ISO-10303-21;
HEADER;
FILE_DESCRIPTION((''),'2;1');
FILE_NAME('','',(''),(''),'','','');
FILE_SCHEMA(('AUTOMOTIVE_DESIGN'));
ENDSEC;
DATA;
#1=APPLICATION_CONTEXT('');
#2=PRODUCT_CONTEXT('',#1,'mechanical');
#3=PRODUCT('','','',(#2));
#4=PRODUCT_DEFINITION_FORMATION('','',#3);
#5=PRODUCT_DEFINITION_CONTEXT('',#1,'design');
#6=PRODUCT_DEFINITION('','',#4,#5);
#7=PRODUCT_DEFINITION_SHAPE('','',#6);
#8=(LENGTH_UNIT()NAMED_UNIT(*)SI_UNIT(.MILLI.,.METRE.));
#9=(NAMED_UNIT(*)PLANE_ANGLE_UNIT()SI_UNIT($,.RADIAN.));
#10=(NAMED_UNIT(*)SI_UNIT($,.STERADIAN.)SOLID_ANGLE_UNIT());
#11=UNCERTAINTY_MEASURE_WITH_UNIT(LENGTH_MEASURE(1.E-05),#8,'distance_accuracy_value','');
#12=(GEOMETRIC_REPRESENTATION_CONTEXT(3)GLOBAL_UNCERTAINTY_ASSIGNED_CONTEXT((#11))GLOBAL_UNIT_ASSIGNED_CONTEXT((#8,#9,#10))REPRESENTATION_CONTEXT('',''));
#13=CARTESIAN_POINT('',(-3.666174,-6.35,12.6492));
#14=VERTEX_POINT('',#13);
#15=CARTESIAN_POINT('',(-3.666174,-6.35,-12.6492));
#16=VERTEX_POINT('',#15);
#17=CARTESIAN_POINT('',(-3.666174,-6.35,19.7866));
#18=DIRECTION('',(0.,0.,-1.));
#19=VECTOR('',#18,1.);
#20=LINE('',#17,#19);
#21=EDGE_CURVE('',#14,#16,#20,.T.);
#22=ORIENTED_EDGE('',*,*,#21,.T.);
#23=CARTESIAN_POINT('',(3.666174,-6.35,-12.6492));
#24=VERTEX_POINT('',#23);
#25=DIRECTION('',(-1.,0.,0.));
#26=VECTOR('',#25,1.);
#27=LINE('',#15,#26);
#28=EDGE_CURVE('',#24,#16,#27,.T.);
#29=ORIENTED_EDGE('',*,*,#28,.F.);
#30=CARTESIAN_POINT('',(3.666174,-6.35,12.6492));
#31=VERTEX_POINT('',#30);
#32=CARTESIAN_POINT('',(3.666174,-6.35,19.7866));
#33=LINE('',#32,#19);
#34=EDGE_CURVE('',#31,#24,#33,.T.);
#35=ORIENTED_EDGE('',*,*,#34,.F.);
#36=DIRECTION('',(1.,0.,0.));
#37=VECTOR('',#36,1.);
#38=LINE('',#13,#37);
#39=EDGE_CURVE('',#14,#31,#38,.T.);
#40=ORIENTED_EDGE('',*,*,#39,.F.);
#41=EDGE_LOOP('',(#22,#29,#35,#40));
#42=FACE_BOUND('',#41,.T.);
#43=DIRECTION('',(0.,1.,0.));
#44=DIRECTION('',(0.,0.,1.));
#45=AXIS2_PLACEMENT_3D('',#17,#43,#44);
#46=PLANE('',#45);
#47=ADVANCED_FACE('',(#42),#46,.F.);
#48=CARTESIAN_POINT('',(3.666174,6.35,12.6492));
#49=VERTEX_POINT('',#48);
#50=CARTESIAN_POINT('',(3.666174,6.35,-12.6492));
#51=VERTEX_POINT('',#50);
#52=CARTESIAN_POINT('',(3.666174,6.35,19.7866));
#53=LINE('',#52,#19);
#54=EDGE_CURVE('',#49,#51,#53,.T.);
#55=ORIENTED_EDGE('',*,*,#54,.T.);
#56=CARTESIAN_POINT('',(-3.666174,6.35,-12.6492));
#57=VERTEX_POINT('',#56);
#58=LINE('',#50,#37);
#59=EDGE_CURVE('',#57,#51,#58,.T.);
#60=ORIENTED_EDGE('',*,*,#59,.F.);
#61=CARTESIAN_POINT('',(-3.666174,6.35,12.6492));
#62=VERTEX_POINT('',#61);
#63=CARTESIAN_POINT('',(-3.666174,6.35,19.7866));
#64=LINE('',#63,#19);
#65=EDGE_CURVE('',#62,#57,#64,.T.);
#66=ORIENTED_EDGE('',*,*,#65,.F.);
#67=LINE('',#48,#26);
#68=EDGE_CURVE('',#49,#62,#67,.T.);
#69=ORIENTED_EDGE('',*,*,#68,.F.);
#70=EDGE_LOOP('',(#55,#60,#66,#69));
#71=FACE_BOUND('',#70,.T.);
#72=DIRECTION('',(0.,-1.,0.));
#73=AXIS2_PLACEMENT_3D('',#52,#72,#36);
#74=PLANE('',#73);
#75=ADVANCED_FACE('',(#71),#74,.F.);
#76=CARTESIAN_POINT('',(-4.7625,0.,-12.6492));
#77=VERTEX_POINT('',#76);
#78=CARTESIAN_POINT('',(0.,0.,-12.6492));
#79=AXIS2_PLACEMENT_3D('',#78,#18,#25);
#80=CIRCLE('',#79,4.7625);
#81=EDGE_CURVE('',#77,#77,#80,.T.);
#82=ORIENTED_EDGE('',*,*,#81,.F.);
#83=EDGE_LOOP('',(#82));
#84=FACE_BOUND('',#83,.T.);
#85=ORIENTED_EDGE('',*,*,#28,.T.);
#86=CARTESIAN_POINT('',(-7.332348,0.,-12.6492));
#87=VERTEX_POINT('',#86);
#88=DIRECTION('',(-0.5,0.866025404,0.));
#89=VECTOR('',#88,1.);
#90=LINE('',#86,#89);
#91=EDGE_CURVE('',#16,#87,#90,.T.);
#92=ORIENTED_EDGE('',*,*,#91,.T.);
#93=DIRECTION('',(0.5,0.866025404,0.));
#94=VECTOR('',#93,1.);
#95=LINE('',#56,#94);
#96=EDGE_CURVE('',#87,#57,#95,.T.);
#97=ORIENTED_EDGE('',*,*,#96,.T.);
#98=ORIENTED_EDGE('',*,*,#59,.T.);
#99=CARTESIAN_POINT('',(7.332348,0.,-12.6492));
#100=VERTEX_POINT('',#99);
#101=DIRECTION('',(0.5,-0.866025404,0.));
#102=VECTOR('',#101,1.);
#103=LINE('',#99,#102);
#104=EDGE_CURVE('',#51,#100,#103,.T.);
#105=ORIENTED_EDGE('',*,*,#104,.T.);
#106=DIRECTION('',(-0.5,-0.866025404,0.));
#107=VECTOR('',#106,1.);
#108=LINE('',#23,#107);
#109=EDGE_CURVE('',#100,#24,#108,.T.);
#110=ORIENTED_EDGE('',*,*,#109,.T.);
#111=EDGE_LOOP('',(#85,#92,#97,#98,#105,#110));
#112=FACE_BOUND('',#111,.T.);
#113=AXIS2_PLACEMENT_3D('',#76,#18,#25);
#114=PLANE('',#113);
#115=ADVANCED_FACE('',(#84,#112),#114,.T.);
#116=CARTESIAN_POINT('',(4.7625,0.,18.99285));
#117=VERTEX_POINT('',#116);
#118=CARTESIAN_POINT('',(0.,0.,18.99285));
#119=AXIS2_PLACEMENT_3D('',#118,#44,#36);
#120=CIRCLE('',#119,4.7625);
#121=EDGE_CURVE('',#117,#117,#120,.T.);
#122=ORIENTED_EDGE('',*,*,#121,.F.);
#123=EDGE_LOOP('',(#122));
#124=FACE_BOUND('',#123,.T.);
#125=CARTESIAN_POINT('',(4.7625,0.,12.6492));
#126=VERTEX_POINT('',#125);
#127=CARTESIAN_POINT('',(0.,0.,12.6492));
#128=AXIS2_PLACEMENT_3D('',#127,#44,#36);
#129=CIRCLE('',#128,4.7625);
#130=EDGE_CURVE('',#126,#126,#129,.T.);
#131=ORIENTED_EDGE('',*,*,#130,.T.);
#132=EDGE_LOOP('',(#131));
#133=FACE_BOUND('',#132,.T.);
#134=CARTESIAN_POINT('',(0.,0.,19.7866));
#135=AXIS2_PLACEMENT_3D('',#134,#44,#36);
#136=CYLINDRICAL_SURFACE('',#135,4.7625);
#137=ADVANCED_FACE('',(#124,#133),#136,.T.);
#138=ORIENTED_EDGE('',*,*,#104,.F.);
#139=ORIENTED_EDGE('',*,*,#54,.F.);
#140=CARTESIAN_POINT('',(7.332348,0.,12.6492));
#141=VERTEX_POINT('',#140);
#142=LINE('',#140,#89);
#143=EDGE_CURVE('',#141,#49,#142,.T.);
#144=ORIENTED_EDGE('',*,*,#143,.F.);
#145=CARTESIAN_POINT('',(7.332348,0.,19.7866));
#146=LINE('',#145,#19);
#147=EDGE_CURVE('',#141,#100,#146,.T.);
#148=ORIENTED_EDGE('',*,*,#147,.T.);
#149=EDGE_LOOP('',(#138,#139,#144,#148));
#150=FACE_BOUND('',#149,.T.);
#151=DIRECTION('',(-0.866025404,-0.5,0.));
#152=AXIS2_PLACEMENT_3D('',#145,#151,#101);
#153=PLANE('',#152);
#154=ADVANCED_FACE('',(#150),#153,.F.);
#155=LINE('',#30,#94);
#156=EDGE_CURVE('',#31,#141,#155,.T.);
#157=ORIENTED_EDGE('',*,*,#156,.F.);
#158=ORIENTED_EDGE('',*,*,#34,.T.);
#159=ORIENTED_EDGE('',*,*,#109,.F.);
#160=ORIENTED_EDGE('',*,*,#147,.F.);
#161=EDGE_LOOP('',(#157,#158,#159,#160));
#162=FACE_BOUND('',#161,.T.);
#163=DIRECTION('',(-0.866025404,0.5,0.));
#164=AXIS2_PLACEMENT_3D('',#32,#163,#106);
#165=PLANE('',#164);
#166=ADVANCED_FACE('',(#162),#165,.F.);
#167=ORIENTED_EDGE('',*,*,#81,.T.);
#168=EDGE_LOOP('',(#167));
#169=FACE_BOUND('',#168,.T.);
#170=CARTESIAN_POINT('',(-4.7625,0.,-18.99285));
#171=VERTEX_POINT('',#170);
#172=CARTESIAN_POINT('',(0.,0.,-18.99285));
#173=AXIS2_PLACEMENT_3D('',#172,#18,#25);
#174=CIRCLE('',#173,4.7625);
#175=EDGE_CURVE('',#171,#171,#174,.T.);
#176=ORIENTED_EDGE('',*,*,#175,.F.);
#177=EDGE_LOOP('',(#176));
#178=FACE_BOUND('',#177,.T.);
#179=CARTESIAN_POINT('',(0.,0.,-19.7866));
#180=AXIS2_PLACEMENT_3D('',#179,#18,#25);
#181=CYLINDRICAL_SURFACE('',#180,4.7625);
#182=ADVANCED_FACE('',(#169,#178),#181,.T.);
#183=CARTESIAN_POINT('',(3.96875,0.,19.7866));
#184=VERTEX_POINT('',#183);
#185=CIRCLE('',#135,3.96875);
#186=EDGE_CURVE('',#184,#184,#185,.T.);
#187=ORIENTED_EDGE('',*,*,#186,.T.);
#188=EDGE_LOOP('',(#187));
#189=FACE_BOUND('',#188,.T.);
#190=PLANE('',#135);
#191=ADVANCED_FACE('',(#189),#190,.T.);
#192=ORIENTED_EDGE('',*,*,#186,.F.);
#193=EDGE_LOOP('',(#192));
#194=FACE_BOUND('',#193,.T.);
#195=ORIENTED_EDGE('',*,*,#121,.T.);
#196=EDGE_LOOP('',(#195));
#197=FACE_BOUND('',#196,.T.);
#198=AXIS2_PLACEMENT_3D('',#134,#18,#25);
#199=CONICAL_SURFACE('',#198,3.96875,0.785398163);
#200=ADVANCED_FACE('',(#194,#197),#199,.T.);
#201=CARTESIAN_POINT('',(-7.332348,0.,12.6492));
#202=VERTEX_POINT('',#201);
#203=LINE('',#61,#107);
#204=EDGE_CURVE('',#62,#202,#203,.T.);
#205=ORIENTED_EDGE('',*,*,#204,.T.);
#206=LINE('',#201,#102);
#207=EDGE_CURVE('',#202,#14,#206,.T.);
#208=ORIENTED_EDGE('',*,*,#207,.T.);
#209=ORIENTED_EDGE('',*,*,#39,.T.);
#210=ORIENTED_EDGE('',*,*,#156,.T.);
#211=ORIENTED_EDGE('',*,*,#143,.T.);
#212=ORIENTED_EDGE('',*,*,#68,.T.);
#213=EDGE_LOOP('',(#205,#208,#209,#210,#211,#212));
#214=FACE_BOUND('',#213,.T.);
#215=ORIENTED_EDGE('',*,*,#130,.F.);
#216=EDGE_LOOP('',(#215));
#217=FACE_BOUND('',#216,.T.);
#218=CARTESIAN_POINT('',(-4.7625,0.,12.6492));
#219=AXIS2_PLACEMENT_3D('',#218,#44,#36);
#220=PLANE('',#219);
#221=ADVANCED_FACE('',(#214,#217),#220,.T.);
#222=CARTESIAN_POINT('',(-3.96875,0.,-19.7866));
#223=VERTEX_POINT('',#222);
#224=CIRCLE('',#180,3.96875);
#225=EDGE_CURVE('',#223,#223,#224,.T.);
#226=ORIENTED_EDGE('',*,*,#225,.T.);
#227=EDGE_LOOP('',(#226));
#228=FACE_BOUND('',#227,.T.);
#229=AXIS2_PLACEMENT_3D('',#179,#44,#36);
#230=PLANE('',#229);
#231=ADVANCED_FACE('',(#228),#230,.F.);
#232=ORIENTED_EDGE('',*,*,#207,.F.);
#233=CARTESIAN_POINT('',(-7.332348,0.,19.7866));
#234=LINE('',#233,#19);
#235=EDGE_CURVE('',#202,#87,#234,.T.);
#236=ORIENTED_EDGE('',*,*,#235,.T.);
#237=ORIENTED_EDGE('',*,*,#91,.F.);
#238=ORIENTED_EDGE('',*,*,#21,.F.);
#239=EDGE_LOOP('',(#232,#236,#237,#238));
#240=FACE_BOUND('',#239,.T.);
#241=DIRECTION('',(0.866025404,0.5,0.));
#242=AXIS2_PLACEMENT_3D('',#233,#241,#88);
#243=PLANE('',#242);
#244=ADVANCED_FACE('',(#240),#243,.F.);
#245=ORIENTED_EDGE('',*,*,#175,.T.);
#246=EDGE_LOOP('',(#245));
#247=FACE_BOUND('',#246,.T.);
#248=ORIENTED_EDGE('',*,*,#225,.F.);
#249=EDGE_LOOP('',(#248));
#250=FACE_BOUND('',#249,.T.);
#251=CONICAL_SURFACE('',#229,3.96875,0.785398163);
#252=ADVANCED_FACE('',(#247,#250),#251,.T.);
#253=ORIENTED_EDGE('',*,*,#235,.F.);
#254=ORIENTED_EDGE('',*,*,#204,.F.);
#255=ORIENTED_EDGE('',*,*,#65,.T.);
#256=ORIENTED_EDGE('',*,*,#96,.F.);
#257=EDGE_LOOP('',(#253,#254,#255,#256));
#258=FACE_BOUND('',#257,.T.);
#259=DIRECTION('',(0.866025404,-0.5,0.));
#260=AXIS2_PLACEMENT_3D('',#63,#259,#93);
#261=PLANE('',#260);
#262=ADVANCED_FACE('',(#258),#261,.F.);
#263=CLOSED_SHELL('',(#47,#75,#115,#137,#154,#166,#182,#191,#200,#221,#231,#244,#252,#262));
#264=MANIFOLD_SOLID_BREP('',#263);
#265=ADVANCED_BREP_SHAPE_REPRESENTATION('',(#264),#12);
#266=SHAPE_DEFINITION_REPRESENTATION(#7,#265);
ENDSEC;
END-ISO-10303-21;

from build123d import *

# Parameters (mm, degrees)
EXTRUSI_N_HEX_PROFILE_DEPTH = 19.7866


with BuildPart() as part:
    # Croquis2 → Extrusión Hex Profile (new, symmetric)
    with BuildSketch(Plane.XY):
        Polygon((3.666174209, -6.35), (7.332348419, 0), (3.666174209, 6.35), (-3.666174209, 6.35), (-7.332348419, 0), (-3.666174209, -6.35), align=None)
    extrude(amount=EXTRUSI_N_HEX_PROFILE_DEPTH, both=True)

    # Croquis10 → Round End 1 (revolve, cut)
    with BuildSketch(Plane(origin=(0, 0, 0), x_dir=(1, 0, 0), z_dir=(0, 1, 0))):
        Polygon((-3.96875, -19.7866), (-4.7625, -18.99285), (-4.7625, -12.6492), (-9.525, -12.6492), (-9.525, -19.7866), align=None)
    revolve(axis=Axis((0, 0, 19.7866), (0, 0, -1)), mode=Mode.SUBTRACT)

    # Croquis12 → Round End 2 (revolve, cut)
    with BuildSketch(Plane.XZ):
        Polygon((-3.96875, -19.7866), (-4.7625, -18.99285), (-4.7625, -12.6492), (-9.525, -12.6492), (-9.525, -19.7866), align=None)
    revolve(axis=Axis((0, 0, -19.7866), (0, 0, 1)), mode=Mode.SUBTRACT)


solid = part.part
